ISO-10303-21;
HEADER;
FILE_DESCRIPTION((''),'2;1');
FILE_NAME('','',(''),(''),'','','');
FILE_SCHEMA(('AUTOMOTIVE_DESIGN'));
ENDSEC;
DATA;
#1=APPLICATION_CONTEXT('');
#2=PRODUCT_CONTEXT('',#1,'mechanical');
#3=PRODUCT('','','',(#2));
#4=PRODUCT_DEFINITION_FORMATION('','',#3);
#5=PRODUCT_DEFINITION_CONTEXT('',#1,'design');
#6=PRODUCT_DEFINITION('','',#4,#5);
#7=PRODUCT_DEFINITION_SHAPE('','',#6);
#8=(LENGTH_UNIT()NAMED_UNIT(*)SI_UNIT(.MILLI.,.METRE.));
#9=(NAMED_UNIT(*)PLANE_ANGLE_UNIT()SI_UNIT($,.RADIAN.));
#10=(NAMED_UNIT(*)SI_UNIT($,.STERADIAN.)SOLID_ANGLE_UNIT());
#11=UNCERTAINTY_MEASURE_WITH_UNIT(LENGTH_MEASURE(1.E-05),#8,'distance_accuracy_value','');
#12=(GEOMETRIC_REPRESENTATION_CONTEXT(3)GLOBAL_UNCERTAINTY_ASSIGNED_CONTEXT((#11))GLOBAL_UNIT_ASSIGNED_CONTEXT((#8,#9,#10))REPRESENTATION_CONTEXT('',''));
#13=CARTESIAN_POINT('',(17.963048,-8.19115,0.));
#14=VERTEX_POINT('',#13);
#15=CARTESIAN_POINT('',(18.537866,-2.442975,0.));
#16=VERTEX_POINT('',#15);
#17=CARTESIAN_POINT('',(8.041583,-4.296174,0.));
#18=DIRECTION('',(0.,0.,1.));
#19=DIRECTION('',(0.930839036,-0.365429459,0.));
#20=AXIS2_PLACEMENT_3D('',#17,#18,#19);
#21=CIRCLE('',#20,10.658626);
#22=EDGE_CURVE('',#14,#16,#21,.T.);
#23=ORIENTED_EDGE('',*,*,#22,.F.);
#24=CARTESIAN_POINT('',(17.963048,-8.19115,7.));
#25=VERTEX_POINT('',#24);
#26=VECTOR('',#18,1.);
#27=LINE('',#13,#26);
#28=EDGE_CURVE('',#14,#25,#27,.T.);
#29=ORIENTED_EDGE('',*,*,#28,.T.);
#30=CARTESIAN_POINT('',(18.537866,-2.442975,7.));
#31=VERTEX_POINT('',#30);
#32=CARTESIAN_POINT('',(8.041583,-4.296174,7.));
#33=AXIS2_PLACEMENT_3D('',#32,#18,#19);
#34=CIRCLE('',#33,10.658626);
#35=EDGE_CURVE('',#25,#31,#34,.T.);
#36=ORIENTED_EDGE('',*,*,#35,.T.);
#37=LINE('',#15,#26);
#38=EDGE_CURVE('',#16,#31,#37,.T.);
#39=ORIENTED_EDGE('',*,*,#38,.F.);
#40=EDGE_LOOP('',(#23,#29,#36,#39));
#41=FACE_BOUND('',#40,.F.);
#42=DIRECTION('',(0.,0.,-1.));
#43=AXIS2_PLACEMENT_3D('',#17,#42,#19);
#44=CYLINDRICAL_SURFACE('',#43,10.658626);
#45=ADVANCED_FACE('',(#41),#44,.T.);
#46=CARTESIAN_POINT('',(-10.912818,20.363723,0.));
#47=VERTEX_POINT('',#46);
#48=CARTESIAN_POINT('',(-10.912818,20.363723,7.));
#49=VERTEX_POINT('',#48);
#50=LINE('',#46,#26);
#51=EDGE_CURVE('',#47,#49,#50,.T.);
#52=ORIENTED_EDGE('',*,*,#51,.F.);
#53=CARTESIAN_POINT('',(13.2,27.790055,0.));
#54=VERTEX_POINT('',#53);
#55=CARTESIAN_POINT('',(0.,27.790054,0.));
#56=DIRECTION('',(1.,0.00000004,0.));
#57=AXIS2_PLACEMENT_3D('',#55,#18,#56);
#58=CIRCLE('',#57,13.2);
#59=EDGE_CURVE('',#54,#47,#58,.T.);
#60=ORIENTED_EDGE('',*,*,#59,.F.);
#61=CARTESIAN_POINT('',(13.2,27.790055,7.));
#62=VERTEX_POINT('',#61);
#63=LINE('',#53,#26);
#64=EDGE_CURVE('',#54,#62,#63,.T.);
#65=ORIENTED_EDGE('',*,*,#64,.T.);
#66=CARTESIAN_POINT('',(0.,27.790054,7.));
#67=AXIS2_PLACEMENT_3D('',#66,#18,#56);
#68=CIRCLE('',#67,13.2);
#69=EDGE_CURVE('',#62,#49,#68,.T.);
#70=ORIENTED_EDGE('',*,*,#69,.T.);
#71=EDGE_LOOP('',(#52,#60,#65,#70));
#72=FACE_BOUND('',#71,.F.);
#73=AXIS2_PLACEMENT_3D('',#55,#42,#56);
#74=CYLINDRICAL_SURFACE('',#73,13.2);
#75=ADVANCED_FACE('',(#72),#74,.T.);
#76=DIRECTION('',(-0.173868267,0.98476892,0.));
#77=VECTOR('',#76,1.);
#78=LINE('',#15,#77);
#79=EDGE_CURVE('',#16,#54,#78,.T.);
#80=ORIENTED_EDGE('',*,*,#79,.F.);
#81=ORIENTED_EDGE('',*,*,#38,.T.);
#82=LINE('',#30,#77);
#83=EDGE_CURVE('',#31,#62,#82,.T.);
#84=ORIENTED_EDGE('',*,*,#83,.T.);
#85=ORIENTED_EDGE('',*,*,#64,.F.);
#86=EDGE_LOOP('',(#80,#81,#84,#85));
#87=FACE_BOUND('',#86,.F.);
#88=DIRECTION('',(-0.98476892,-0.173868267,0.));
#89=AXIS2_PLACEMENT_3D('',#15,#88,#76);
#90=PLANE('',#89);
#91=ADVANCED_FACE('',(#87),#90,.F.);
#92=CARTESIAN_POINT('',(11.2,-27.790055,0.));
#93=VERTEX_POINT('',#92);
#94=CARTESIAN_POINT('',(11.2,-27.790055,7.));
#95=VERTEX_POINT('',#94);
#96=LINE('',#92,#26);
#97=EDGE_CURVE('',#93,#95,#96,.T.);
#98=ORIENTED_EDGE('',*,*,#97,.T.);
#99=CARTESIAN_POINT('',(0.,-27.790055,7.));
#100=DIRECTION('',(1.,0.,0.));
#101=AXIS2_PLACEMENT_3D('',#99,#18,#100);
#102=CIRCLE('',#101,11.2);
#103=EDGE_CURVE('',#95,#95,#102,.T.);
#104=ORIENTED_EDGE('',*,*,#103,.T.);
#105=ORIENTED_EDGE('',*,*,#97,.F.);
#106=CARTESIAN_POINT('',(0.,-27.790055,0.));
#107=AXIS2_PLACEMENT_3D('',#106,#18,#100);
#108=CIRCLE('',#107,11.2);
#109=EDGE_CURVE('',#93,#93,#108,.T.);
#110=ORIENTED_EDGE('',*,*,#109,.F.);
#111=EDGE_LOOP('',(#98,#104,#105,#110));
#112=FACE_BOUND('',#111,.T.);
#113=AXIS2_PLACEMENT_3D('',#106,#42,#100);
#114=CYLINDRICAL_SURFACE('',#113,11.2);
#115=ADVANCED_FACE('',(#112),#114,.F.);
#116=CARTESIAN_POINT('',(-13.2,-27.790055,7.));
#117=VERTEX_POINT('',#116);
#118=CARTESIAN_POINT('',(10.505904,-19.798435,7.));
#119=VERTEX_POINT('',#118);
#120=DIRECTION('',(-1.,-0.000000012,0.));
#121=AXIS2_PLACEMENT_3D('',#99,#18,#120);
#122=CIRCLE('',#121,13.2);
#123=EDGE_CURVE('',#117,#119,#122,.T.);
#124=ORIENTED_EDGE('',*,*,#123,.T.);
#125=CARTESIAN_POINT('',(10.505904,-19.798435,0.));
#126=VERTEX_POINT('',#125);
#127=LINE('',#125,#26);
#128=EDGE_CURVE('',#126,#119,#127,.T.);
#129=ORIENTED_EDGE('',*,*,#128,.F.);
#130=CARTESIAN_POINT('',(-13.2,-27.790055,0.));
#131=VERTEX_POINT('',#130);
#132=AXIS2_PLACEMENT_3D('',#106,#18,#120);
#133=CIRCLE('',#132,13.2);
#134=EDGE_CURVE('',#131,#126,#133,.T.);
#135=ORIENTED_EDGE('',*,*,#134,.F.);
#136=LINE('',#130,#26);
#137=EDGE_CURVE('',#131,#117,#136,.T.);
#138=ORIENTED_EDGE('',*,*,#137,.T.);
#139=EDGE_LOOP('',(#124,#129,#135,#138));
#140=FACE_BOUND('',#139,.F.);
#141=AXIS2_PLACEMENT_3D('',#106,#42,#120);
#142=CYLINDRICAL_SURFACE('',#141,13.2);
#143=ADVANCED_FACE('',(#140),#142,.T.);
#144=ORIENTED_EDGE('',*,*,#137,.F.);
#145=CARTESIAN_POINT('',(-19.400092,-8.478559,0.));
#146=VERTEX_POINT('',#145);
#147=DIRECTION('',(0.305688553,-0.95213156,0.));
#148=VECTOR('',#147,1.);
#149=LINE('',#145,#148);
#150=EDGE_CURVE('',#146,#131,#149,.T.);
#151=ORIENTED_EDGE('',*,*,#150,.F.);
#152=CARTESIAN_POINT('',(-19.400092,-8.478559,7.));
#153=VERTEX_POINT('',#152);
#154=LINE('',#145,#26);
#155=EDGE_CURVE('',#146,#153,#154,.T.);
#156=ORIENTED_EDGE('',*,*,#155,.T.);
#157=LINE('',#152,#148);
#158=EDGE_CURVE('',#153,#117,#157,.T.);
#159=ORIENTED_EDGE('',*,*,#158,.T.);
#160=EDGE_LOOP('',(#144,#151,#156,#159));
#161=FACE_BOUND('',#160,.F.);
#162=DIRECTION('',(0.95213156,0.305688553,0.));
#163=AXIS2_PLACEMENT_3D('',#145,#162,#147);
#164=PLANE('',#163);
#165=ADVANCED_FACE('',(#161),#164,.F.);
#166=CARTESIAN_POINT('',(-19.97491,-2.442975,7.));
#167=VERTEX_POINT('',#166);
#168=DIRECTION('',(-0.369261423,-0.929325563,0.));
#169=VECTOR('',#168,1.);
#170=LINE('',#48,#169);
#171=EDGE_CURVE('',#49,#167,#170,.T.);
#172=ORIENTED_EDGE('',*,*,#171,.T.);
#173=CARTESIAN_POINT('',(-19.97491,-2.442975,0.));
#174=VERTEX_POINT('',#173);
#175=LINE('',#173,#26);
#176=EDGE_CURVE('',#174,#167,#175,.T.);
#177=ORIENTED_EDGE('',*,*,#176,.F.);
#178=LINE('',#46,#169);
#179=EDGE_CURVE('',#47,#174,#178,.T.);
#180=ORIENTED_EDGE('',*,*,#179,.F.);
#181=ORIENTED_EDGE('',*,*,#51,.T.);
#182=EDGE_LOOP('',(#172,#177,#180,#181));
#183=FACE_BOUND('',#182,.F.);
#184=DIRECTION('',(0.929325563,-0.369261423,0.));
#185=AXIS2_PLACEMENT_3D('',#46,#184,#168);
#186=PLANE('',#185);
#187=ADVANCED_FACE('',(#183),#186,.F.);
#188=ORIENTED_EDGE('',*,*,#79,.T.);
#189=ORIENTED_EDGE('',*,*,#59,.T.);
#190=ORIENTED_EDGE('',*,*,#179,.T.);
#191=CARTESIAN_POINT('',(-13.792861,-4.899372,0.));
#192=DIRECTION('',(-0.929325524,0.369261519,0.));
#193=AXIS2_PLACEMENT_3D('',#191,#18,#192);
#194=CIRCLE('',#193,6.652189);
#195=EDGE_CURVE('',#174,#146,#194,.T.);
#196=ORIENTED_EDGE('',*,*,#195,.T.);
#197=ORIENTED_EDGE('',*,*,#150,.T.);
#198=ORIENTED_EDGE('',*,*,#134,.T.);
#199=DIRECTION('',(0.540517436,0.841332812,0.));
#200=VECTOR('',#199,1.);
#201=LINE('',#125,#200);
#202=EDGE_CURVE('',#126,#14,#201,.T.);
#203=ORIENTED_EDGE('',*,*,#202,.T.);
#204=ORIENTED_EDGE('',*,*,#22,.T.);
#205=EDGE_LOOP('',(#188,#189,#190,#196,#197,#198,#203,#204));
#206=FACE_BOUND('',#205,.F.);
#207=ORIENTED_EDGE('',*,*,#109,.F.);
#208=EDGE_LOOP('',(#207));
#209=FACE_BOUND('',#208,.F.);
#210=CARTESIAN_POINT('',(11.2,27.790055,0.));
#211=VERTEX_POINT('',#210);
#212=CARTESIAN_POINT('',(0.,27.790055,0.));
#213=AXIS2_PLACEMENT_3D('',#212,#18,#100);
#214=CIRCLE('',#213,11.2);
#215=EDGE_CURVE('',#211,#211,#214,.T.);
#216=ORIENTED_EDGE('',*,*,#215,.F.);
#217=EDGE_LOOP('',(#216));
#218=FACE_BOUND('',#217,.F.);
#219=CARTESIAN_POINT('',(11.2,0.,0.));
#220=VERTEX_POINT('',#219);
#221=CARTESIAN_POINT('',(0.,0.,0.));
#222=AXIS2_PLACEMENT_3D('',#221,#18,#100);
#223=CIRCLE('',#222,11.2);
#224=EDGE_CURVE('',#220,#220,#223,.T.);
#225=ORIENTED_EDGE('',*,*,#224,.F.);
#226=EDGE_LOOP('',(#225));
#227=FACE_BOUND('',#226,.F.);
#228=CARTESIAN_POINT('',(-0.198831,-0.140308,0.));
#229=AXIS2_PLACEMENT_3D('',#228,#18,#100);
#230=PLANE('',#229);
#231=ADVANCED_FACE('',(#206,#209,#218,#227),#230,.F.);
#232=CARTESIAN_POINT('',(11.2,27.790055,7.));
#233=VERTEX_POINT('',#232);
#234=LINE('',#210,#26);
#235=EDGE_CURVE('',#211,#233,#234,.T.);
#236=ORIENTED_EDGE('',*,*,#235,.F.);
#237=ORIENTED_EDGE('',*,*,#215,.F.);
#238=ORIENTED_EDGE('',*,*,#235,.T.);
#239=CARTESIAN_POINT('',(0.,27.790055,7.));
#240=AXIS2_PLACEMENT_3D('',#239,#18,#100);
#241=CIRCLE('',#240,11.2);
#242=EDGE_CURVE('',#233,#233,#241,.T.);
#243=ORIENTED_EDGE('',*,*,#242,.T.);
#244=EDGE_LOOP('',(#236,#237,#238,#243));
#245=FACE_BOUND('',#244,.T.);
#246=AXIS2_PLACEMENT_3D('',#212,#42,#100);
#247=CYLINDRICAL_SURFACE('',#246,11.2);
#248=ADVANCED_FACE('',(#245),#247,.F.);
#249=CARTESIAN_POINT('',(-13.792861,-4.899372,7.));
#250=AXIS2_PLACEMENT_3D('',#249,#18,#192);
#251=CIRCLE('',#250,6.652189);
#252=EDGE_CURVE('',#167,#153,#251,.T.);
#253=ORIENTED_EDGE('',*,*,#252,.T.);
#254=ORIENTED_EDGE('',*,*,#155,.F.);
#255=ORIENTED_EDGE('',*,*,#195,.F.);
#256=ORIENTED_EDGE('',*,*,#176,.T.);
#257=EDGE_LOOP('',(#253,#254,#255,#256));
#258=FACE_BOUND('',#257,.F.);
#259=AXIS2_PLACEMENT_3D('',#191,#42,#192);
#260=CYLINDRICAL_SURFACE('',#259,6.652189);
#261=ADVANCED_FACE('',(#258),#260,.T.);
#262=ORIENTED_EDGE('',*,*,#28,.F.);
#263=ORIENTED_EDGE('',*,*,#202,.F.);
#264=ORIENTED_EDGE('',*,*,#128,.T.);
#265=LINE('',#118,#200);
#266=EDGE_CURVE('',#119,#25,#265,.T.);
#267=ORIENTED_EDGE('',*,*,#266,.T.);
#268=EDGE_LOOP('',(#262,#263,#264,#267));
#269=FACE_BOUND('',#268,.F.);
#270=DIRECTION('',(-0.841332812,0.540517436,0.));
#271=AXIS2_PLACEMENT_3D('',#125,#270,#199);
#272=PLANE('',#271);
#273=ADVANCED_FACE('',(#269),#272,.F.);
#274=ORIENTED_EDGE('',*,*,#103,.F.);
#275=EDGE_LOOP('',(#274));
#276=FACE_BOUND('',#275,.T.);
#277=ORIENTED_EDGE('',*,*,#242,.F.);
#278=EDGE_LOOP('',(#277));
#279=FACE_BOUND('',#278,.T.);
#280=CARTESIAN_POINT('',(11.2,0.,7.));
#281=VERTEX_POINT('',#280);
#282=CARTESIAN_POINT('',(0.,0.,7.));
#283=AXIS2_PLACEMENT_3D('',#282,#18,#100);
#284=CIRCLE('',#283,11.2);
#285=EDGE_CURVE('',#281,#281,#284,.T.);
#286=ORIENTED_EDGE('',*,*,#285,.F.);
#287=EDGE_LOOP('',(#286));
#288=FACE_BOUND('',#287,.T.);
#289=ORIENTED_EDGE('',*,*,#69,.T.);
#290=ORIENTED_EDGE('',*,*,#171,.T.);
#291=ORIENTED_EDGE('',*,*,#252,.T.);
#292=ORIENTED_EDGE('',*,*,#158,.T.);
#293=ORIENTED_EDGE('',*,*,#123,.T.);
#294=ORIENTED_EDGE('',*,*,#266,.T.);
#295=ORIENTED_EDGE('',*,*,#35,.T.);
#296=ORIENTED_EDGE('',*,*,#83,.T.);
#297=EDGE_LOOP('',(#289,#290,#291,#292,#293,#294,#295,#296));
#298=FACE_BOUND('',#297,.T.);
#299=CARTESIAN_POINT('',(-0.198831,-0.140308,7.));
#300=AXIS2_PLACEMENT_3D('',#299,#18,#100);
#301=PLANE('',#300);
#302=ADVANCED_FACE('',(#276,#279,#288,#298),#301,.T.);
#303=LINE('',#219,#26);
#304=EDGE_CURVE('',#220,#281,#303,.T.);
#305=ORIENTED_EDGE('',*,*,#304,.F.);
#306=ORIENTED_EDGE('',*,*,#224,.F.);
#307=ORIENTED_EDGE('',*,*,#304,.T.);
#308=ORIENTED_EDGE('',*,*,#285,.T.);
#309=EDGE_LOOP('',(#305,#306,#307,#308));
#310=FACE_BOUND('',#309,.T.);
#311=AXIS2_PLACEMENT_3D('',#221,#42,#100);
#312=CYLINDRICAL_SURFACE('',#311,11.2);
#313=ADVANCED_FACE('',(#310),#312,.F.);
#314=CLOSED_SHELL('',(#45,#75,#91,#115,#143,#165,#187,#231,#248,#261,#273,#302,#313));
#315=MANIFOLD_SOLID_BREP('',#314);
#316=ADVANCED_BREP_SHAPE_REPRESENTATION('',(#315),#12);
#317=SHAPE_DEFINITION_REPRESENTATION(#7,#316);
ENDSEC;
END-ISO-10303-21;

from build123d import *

# Parameters (mm, degrees)
F0_R     = 11.2
F1_DEPTH = 7


with BuildPart() as f1:
    # F0 (on Top) → F1 (new body)
    with BuildSketch(Plane.XY):
        with BuildLine():
            Line((18.537866, -2.442975), (13.2, 27.790055))
            ThreePointArc((13.2, 27.790055), (-3.88528, 40.405307), (-10.912818, 20.363723))
            Line((-10.912818, 20.363723), (-19.97491, -2.442975))
            ThreePointArc((-19.97491, -2.442975), (-20.415085, -5.53006), (-19.400092, -8.478559))
            Line((-19.400092, -8.478559), (-13.2, -27.790055))
            ThreePointArc((-13.2, -27.790055), (4.216756, -40.298411), (10.505904, -19.798435))
            Line((10.505904, -19.798435), (17.963048, -8.19115))
            ThreePointArc((17.963048, -8.19115), (18.647312, -5.356748), (18.537866, -2.442975))
        make_face()
        with Locations((0, -27.790055)):
            Circle(F0_R, mode=Mode.SUBTRACT)
        Circle(F0_R, mode=Mode.SUBTRACT)
        with Locations((0, 27.790055)):
            Circle(F0_R, mode=Mode.SUBTRACT)
    extrude(amount=F1_DEPTH)


solid = f1.part
